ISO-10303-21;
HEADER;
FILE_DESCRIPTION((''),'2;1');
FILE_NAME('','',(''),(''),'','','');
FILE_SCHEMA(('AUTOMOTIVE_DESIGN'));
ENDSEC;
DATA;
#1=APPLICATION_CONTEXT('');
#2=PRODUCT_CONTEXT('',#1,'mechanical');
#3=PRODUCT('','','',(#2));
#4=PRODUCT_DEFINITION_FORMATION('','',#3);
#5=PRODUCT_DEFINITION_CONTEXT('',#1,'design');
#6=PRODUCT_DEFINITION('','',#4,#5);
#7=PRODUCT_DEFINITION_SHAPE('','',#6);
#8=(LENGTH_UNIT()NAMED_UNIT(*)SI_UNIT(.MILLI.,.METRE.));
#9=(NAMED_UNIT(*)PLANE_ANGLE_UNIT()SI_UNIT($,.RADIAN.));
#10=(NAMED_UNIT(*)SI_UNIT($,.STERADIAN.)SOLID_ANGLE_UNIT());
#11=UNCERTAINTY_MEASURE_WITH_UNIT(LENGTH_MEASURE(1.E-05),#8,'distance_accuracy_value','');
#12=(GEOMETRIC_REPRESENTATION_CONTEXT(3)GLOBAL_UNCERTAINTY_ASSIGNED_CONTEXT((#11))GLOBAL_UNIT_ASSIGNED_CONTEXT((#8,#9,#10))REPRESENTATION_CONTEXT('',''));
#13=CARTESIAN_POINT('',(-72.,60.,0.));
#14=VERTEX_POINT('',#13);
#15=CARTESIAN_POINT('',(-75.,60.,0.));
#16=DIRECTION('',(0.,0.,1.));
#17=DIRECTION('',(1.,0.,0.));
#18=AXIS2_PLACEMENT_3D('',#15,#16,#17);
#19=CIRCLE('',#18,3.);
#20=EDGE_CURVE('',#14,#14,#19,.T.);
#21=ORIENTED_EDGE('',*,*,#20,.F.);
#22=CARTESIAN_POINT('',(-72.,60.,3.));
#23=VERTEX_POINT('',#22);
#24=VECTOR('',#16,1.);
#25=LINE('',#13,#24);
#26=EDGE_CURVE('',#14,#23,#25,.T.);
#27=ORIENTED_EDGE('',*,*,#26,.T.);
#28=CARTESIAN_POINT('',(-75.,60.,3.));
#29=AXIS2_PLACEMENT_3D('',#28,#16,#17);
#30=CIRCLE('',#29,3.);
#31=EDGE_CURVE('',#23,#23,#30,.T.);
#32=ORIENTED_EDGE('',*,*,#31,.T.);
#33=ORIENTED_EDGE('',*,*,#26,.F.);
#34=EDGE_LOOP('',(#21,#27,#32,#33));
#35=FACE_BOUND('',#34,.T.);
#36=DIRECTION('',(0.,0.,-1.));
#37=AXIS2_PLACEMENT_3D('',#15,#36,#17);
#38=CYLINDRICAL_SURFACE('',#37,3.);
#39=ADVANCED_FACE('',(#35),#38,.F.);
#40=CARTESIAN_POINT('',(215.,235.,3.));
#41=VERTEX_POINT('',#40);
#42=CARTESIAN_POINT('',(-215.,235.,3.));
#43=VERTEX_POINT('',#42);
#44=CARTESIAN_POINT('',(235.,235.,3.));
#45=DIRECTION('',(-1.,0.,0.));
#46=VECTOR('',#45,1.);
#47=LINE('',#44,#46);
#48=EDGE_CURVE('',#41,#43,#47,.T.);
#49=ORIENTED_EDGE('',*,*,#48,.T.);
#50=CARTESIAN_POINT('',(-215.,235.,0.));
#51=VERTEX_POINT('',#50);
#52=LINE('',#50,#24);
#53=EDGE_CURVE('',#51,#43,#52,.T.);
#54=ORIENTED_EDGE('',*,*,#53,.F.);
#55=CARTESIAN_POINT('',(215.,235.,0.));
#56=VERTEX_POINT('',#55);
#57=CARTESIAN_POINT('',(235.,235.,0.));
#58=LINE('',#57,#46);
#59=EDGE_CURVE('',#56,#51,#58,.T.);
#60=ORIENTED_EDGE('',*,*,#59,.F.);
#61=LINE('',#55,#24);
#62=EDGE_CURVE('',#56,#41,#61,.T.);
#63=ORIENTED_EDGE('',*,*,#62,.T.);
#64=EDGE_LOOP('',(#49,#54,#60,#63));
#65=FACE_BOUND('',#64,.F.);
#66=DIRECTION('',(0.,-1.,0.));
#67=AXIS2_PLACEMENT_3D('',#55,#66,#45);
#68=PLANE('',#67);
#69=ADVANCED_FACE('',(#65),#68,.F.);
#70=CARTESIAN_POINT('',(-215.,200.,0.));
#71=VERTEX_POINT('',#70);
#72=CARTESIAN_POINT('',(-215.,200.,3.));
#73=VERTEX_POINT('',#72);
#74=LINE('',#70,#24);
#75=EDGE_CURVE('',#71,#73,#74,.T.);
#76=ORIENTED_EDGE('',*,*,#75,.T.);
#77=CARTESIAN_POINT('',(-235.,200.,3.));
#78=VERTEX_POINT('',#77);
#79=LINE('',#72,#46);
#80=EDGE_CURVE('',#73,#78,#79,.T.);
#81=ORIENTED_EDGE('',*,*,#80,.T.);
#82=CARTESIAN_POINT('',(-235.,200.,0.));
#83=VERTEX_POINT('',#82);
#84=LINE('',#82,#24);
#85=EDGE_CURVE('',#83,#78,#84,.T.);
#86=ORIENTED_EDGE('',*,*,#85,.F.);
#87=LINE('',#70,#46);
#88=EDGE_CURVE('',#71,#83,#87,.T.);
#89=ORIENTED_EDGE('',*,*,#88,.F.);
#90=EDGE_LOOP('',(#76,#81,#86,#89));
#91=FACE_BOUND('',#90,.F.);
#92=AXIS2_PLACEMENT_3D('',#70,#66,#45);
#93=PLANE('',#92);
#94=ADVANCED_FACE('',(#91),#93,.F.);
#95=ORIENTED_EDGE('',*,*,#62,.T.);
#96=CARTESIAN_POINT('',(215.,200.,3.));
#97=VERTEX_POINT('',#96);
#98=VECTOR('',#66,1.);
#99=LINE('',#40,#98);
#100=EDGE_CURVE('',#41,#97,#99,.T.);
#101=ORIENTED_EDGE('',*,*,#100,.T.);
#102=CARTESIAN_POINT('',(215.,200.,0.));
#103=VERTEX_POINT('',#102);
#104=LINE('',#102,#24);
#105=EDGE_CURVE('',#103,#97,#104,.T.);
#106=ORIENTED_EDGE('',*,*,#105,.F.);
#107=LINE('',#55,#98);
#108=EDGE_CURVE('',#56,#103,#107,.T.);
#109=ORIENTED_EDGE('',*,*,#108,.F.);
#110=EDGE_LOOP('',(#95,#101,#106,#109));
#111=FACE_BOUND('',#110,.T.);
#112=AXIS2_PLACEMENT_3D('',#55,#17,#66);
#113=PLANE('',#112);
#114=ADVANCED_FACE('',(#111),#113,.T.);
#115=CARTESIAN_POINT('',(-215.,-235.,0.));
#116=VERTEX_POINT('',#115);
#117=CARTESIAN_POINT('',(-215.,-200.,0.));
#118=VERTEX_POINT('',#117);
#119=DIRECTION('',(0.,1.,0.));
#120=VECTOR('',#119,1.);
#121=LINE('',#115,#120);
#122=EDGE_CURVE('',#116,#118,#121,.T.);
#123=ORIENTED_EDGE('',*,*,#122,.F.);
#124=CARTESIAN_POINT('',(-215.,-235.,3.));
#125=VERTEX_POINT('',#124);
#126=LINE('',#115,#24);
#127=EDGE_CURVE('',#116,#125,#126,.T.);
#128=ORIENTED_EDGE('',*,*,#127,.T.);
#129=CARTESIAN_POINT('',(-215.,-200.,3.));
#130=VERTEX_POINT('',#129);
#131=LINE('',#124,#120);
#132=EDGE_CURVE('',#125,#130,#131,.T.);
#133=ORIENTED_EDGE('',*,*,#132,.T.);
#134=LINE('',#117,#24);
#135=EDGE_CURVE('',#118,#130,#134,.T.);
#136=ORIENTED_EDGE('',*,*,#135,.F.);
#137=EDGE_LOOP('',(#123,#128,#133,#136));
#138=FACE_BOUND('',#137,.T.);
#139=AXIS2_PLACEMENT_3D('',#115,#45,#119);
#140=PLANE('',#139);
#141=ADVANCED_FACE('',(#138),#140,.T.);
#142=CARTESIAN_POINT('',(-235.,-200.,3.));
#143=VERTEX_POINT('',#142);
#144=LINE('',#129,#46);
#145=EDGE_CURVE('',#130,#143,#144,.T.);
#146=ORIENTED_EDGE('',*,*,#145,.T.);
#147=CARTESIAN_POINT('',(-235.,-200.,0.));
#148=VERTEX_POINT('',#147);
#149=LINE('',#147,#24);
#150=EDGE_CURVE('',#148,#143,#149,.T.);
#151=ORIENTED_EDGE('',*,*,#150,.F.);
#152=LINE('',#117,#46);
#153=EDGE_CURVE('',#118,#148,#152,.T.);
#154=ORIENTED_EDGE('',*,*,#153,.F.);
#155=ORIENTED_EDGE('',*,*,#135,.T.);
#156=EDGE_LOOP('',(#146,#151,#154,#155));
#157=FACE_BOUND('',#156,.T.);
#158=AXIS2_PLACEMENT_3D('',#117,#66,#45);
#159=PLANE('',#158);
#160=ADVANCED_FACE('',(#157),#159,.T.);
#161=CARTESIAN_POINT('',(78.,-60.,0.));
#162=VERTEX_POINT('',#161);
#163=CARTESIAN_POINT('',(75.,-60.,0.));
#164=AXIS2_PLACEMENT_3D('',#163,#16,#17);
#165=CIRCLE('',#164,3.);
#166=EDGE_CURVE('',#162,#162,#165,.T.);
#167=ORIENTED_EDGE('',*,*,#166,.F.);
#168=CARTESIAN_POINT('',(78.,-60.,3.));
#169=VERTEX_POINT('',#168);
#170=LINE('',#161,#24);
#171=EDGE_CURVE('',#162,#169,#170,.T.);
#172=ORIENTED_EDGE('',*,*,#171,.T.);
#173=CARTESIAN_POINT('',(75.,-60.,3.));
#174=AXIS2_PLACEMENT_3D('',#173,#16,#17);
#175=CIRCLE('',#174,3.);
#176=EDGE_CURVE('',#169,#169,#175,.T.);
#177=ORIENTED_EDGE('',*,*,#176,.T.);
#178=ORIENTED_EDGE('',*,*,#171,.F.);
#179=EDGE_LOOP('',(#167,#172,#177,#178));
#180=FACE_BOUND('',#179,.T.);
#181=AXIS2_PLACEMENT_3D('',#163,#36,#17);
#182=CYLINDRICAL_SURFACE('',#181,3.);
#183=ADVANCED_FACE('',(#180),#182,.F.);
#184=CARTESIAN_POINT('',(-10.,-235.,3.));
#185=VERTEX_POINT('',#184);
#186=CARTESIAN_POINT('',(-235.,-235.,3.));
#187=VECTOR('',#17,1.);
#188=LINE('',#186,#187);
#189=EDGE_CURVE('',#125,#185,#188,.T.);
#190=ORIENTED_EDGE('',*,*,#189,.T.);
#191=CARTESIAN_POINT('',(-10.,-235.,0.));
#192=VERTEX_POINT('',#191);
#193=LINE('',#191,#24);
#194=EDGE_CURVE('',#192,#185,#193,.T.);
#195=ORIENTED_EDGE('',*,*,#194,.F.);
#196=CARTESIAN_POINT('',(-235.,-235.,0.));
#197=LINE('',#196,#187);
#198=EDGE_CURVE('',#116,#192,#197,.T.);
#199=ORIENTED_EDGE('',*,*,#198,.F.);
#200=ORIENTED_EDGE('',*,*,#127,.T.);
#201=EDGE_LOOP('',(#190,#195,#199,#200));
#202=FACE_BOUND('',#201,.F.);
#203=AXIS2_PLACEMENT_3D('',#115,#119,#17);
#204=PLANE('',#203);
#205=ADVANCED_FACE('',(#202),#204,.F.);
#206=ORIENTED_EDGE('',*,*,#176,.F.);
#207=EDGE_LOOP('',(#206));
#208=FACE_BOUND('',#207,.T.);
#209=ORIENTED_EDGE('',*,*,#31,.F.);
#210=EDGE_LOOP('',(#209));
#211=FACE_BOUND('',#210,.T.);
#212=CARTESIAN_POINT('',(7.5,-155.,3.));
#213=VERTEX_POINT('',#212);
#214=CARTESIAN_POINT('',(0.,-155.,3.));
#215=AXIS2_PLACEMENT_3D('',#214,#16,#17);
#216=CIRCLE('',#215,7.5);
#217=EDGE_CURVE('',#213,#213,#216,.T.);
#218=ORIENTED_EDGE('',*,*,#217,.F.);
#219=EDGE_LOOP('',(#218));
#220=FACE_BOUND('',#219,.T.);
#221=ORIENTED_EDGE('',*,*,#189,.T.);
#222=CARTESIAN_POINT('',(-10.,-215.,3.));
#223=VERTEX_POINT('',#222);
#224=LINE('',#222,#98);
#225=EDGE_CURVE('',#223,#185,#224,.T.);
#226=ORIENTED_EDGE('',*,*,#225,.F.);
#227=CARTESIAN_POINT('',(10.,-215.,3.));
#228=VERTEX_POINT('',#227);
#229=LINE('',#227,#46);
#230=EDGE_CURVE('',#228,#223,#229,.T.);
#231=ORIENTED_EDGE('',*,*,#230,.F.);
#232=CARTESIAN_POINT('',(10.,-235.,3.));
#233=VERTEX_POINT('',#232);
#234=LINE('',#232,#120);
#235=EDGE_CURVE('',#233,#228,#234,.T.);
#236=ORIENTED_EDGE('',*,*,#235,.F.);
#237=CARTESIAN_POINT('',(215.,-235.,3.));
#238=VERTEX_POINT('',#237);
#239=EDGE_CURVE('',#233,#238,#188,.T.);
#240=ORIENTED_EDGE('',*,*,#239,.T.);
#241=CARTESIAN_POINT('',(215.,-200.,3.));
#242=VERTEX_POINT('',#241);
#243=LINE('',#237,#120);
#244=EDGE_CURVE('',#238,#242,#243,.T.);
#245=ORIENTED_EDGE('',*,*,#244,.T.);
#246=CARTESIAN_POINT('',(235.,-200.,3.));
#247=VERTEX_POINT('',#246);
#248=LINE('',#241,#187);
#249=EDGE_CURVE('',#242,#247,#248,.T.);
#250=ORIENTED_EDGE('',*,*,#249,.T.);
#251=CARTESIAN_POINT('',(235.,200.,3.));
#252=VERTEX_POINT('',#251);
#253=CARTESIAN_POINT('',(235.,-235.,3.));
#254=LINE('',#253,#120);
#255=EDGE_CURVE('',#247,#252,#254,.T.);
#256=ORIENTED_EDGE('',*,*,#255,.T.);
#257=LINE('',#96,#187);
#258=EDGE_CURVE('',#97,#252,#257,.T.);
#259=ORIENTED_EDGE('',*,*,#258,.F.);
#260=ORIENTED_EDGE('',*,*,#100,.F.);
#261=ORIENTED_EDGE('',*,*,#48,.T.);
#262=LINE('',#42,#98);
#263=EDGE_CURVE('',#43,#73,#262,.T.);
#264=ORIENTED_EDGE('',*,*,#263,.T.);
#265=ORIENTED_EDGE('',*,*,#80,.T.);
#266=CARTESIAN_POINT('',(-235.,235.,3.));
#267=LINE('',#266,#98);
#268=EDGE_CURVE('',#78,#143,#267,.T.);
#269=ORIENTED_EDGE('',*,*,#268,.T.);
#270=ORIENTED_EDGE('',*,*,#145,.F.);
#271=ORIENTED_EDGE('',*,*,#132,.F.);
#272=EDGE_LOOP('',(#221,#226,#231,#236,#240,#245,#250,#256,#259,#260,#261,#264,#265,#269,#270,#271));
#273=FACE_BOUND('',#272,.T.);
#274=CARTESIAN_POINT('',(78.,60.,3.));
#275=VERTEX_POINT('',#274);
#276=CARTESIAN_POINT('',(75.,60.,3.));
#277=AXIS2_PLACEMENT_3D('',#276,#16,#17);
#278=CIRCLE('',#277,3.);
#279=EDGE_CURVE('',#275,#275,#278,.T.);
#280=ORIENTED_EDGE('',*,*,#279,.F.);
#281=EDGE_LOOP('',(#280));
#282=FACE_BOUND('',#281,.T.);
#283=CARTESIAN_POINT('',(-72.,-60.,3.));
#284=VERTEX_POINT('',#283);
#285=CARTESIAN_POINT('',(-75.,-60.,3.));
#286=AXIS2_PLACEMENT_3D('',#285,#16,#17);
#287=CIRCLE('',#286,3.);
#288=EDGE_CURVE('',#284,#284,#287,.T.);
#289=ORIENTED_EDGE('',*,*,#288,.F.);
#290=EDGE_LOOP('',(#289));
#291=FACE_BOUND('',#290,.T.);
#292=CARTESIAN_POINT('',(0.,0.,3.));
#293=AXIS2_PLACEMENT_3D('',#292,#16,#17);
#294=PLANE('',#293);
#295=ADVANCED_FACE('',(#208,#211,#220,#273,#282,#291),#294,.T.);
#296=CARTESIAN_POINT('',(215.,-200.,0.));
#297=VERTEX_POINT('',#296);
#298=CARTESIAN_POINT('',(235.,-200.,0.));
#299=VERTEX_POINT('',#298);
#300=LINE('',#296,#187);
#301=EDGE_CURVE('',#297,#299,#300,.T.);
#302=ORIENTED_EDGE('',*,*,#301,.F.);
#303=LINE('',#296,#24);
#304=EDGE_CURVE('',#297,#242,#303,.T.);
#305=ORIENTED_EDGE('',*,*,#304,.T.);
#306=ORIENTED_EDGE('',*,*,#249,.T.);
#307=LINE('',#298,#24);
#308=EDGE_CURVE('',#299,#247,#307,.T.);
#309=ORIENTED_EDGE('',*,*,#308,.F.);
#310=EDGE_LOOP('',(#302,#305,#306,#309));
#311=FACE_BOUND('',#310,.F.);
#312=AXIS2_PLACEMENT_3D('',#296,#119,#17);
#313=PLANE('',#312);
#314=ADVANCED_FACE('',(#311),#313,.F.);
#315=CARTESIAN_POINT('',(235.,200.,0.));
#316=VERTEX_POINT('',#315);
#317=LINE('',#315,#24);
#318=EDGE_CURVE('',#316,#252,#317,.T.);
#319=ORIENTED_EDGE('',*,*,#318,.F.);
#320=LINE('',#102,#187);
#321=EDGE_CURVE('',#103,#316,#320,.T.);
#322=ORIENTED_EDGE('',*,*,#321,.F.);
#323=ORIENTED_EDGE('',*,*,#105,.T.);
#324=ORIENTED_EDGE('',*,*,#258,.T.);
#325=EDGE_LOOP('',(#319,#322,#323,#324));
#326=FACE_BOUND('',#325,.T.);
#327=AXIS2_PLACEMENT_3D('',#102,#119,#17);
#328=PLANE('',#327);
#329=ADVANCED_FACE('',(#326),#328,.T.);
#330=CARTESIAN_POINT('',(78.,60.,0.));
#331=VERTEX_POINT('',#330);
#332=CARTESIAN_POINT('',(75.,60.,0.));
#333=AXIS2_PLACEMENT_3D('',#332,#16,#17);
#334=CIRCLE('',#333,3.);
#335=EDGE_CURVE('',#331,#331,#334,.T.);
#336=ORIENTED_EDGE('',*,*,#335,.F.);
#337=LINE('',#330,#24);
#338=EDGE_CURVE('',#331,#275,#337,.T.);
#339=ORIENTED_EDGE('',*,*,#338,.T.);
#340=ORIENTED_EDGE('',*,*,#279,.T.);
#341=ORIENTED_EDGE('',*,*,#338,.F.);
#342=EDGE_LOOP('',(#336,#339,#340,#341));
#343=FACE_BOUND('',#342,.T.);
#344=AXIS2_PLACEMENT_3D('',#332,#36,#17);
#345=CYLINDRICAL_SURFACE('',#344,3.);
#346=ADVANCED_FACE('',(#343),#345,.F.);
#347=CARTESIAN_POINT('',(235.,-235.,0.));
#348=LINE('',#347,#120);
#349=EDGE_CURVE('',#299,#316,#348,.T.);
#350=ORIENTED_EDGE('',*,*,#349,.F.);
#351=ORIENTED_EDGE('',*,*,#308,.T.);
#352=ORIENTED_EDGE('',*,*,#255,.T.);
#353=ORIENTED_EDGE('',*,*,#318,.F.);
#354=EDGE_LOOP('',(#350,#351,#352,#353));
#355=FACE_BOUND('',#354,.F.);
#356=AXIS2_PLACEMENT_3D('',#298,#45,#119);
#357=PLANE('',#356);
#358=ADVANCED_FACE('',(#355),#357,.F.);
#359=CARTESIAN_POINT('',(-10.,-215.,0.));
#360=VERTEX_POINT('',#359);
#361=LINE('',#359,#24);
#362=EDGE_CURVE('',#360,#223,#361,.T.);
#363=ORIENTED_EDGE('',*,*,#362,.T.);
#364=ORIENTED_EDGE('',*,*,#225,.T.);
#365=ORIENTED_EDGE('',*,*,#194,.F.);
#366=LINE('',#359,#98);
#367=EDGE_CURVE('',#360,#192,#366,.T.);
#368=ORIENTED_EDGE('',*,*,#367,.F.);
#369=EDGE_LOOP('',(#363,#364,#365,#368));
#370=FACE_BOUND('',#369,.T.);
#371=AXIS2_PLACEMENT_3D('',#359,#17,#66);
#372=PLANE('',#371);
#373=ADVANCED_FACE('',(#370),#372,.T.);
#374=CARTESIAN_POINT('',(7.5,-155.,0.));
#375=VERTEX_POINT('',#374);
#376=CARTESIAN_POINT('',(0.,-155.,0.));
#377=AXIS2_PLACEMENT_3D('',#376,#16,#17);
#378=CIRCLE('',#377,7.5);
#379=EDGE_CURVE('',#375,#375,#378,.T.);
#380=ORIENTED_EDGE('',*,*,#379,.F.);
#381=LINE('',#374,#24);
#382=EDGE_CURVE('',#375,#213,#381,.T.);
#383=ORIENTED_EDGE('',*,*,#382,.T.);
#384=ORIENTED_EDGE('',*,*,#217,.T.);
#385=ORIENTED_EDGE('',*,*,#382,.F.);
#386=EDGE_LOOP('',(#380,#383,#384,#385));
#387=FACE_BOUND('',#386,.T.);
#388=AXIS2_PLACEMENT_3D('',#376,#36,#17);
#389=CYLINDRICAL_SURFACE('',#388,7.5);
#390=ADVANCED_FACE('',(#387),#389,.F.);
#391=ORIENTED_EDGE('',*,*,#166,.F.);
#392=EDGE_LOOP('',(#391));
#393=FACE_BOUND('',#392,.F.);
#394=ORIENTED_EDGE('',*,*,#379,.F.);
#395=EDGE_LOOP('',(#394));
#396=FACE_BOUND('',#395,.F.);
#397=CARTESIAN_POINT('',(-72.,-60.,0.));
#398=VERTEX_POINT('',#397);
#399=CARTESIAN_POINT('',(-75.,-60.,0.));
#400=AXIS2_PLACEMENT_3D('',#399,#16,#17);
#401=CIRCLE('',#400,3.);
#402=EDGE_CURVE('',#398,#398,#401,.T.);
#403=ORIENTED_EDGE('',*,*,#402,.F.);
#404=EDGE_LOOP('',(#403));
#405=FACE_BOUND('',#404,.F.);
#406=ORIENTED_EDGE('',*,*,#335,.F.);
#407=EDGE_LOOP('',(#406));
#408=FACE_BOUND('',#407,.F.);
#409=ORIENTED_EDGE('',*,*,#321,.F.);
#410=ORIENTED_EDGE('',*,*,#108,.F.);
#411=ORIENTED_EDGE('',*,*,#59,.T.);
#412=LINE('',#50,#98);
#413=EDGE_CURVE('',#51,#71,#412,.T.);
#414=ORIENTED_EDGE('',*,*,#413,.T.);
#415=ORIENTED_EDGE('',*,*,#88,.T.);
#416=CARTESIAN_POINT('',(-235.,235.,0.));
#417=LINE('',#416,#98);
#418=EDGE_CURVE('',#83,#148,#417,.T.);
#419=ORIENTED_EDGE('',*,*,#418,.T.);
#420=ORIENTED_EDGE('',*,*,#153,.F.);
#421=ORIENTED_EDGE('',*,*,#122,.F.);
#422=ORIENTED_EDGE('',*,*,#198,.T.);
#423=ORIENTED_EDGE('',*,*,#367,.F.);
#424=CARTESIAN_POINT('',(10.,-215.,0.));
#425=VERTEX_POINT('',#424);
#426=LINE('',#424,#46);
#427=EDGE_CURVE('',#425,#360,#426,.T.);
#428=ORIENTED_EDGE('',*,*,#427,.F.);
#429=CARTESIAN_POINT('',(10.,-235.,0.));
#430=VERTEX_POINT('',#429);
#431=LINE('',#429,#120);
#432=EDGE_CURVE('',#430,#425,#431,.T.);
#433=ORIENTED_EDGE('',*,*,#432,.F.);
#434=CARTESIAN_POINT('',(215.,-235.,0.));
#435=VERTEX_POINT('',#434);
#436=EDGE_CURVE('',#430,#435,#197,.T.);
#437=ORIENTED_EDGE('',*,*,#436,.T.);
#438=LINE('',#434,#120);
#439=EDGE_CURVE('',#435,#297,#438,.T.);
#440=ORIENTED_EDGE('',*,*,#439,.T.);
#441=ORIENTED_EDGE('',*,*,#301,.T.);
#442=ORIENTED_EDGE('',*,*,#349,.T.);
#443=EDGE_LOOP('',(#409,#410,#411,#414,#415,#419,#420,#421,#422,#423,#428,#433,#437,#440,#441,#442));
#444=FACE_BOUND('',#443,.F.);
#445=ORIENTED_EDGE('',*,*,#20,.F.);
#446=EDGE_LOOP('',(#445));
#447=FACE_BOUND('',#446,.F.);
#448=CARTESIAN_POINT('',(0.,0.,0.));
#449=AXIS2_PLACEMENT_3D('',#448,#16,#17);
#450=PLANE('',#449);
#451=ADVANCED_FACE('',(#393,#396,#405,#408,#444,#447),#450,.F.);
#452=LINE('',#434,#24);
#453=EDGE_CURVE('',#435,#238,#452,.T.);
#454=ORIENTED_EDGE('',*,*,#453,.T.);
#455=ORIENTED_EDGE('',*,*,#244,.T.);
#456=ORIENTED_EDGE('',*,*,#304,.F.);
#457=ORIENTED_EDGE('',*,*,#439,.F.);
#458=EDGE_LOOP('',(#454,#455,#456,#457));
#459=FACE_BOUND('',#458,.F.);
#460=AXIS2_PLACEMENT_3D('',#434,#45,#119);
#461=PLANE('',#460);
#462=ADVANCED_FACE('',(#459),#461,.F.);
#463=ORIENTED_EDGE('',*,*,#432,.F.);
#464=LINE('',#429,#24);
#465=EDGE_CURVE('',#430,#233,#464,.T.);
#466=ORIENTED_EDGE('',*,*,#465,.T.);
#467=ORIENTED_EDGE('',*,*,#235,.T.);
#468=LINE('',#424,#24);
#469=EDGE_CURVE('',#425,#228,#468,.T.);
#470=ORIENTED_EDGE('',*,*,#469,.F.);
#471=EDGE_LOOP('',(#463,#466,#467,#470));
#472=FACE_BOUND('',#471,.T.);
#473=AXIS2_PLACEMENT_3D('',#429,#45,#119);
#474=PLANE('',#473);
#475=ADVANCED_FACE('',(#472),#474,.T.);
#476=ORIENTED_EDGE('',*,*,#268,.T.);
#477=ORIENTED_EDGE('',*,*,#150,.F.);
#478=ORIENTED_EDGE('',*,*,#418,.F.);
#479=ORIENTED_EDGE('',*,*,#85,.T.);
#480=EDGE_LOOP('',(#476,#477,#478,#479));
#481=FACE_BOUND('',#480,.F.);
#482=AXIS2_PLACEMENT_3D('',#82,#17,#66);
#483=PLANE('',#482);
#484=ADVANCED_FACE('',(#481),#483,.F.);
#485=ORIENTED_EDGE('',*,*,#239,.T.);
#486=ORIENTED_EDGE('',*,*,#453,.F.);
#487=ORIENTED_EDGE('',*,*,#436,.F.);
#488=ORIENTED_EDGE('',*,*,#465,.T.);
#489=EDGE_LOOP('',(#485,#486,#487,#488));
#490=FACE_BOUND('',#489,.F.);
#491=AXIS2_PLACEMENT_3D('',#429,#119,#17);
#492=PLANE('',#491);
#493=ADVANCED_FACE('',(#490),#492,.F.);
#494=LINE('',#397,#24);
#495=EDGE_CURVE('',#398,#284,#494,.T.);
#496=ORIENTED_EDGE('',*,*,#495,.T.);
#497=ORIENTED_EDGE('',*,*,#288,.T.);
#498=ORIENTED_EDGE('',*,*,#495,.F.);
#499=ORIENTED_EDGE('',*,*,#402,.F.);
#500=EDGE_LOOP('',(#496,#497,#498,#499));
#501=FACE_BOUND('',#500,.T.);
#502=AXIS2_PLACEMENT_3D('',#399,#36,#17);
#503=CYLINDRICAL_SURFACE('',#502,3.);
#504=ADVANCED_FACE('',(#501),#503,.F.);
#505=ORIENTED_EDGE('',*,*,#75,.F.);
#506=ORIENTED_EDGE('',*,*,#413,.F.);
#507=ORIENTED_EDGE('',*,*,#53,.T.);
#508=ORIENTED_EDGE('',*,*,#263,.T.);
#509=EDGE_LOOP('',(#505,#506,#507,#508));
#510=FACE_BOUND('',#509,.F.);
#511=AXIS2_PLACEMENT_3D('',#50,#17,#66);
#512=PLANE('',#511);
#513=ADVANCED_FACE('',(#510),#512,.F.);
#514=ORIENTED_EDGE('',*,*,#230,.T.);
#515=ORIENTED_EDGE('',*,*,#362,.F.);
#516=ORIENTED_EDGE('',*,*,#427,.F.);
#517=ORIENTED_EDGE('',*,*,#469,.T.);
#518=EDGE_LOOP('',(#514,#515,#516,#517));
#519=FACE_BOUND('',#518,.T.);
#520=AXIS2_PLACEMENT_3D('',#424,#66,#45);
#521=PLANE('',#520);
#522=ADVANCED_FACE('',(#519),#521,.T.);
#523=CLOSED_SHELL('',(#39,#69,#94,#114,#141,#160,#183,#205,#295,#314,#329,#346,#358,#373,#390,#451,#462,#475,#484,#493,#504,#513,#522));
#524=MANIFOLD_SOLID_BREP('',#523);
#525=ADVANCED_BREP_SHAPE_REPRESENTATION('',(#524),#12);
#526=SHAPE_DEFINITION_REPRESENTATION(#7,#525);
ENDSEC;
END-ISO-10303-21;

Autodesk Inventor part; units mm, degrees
ref_plane "YZ Plane" through (0, 0, 0) normal (1, 0, 0) x (0, 1, 0)
ref_plane "XZ Plane" through (0, 0, 0) normal (0, 1, 0) x (-1, 0, 0)
ref_plane "XY Plane" through (0, 0, 0) normal (0, 0, 1) x (1, 0, 0)
sketch "Skizze1" plane through (0, 0, 0) normal (0, 0, 1) x (1, 0, 0)
  line L0 (-235, -235) -> (235, -235)
  line L1 (235, -235) -> (235, 235)
  line L2 (235, 235) -> (-235, 235)
  line L3 (-235, 235) -> (-235, -235)
  line L4 (-235, -235) -> (235, 235) construction
  line L5 (235, -235) -> (-235, 235) construction
  line L6 (-235, -235) -> (-215, -235)
  line L7 (-215, -235) -> (-215, -200)
  line L8 (-215, -200) -> (-235, -200)
  line L9 (-235, -200) -> (-235, -235)
  line L10 (235, -235) -> (215, -235)
  line L11 (215, -235) -> (215, -200)
  line L12 (215, -200) -> (235, -200)
  line L13 (235, -200) -> (235, -235)
  line L14 (235, 235) -> (215, 235)
  line L15 (215, 235) -> (215, 200)
  line L16 (215, 200) -> (235, 200)
  line L17 (235, 200) -> (235, 235)
  line L18 (-235, 235) -> (-215, 235)
  line L19 (-215, 235) -> (-215, 200)
  line L20 (-215, 200) -> (-235, 200)
  line L21 (-235, 200) -> (-235, 235)
  line L22 (-10, -235) -> (10, -235)
  line L23 (10, -235) -> (10, -215)
  line L24 (10, -215) -> (-10, -215)
  line L25 (-10, -215) -> (-10, -235)
  circle A0 centre (0, -155) radius 7.5
  circle A1 centre (-75, 60) radius 3
  circle A2 centre (75, 60) radius 3
  circle A3 centre (75, -60) radius 3
  circle A4 centre (-75, -60) radius 3
  line L26 (-75, -60) -> (75, -60) construction
  line L27 (75, -60) -> (75, 60) construction
  line L28 (75, 60) -> (-75, 60) construction
  line L29 (-75, 60) -> (-75, -60) construction
  line L30 (-75, -60) -> (75, 60) construction
  line L31 (75, -60) -> (-75, 60) construction
  point P0 (0, 0)
  point P1 (0, -235)
  dimension "d0" = 470
  dimension "d1" = 470
  dimension "d4" = 35
  dimension "d5" = 20
  dimension "d6" = 20
  dimension "d7" = 20
  dimension "d8" = 15
  dimension "d9" = 80
  dimension "d10" = 150
  dimension "d11" = 120
  dimension "d12" = 6
extrude "Extrusion1" add sketch "Skizze1" along normal blind 3 contours L7 L8 L3 L20 L19 L2 L15 L16 L1 L12 L11 L0 L23 L24 L25
properties part number "Panel Bottom" material "Polycarbonat, klar"
